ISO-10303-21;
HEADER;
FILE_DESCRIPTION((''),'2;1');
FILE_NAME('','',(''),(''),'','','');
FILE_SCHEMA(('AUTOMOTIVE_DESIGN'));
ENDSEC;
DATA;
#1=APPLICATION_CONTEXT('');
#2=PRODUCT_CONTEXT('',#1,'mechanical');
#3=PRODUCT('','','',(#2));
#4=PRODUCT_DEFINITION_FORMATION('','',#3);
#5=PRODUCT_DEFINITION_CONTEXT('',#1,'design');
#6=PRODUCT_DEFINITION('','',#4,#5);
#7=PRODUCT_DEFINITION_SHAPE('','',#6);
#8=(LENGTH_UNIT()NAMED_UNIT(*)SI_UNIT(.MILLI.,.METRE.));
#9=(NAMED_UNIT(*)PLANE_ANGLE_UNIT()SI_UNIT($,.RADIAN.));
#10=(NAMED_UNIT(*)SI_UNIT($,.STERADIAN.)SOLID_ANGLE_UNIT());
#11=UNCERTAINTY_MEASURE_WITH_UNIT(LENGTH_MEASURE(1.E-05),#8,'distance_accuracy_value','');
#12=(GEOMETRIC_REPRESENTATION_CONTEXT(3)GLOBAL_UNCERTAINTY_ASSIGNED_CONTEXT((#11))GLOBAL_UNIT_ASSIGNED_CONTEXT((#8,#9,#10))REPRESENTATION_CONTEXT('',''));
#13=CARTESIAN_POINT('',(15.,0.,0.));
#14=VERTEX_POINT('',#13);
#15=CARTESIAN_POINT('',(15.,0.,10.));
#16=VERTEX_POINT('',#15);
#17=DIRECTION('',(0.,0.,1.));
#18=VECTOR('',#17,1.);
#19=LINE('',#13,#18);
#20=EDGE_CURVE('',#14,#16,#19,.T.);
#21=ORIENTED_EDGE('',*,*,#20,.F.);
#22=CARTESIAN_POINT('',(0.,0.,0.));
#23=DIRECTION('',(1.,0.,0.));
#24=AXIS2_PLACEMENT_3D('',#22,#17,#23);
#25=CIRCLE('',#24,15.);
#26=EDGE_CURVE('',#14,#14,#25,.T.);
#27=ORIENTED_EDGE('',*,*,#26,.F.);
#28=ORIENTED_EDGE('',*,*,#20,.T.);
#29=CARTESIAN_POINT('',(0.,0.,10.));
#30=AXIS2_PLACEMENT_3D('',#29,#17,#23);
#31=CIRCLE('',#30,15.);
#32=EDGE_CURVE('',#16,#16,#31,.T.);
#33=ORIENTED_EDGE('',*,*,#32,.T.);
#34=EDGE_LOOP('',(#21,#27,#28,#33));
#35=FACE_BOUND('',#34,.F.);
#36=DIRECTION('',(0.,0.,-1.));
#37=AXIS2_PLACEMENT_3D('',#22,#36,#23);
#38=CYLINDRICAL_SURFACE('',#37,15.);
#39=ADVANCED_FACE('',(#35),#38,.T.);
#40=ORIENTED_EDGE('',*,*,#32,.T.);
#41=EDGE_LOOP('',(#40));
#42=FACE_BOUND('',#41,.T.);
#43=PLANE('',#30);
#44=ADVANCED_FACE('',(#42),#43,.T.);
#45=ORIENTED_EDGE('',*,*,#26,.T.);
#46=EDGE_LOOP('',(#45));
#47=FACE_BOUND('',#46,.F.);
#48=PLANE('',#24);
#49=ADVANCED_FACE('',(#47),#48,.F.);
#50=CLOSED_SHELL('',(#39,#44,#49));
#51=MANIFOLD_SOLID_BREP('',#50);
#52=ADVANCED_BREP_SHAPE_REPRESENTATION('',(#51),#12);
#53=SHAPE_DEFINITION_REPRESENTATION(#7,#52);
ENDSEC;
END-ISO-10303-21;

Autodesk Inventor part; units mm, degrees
ref_plane "YZ Plane" through (0, 0, 0) normal (1, 0, 0) x (0, 1, 0)
ref_plane "XZ Plane" through (0, 0, 0) normal (0, 1, 0) x (-1, 0, 0)
ref_plane "XY Plane" through (0, 0, 0) normal (0, 0, 1) x (1, 0, 0)
sketch "Sketch1" plane through (0, 0, 0) normal (0, 0, 1) x (1, 0, 0)
  circle A0 centre (0, 0) radius 44.45
  circle A1 centre (0, 0) radius 41.45
  circle A2 centre (0, 0) radius 600
  circle A3 centre (144.9387, 540.9185) radius 100
  circle A4 centre (-144.9387, 540.9185) radius 100
  circle A5 centre (-395.9798, 395.9798) radius 100
  circle A6 centre (-540.9185, 144.9387) radius 100
  circle A7 centre (-540.9185, -144.9387) radius 100
  circle A8 centre (-395.9798, -395.9798) radius 100
  circle A9 centre (-144.9387, -540.9185) radius 100
  circle A10 centre (144.9387, -540.9185) radius 100
  circle A11 centre (395.9798, -395.9798) radius 100
  circle A12 centre (540.9185, -144.9387) radius 100
  circle A13 centre (230, 398.3717) radius 100
  circle A14 centre (0, 460) radius 100
  circle A15 centre (-230, 398.3717) radius 100
  circle A16 centre (-398.3717, 230) radius 100
  circle A17 centre (-460, 0) radius 100
  circle A18 centre (-398.3717, -230) radius 100
  circle A19 centre (-230, -398.3717) radius 100
  circle A20 centre (0, -460) radius 100
  circle A21 centre (230, -398.3717) radius 100
  circle A22 centre (398.3717, -230) radius 100
  circle A23 centre (-212.132, 212.132) radius 100
  circle A24 centre (-289.7777, 77.6457) radius 100
  circle A25 centre (-289.7777, -77.6457) radius 100
  circle A26 centre (-212.132, -212.132) radius 100
  circle A27 centre (-77.6457, -289.7777) radius 100
  circle A28 centre (77.6457, -289.7777) radius 100
  circle A29 centre (212.132, -212.132) radius 100
  circle A30 centre (289.7777, -77.6457) radius 100
  circle A31 centre (98.9949, 98.9949) radius 100
  circle A32 centre (289.7777, 77.6457) radius 100
  circle A33 centre (212.132, 212.132) radius 100
  circle A34 centre (-98.9949, 98.9949) radius 100
  circle A35 centre (-98.9949, -98.9949) radius 100
  circle A36 centre (98.9949, -98.9949) radius 100
  circle A37 centre (460, 0) radius 100
  circle A38 centre (398.3717, 230) radius 100
  circle A39 centre (77.6457, 289.7777) radius 100
  circle A40 centre (-77.6457, 289.7777) radius 100
  circle A41 centre (540.9185, 144.9387) radius 100
  circle A42 centre (395.9798, 395.9798) radius 100
  line L0 (0, 0) -> (-600, 0) construction
  line L1 (0, 0) -> (-540.9185, 144.9387) construction
  line L2 (-460, 0) -> (0, 0) construction
  line L3 (0, 0) -> (-289.7777, -77.6457) construction
  line L4 (-98.9949, -98.9949) -> (0, 0) construction
  dimension "d2" = 1200
  dimension "d0" = 88.9
  dimension "d1" = 3
  dimension "d5" = 360
  dimension "d9" = 360
  dimension "d11" = 200
  dimension "d14" = 360
  dimension "d18" = 360
  dimension "d20" = 15
  dimension "d21" = 0
  dimension "d22" = 15
  dimension "d23" = 45
  dimension "d24" = 140
  dimension "d25" = 300
  dimension "d26" = 460
  dimension "d27" = 560
sketch "Sketch2" plane through (0, 0, 0) normal (0, 0, 1) x (1, 0, 0)
  point P0 (0, 0)
  point P1 (-98.9949, -98.9949)
  point P2 (98.9949, -98.9949)
  point P3 (98.9949, 98.9949)
  point P4 (-98.9949, 98.9949)
  point P5 (-77.6457, 289.7777)
  point P6 (77.6457, 289.7777)
  point P7 (212.132, 212.132)
  point P8 (289.7777, 77.6457)
  point P9 (289.7777, -77.6457)
  point P10 (212.132, -212.132)
  point P11 (77.6457, -289.7777)
  point P12 (-77.6457, -289.7777)
  point P13 (0, -460)
  point P14 (230, -398.3717)
  point P15 (144.9387, -540.9185)
  point P16 (395.9798, -395.9798)
  point P17 (398.3717, -230)
  point P18 (540.9185, -144.9387)
  point P19 (460, 0)
  point P20 (540.9185, 144.9387)
  point P21 (398.3717, 230)
  point P22 (395.9798, 395.9798)
  point P23 (230, 398.3717)
  point P24 (144.9387, 540.9185)
  point P25 (0, 460)
  point P26 (-144.9387, 540.9185)
  point P27 (-230, 398.3717)
  point P28 (-212.132, 212.132)
  point P29 (-289.7777, 77.6457)
  point P30 (-289.7777, -77.6457)
  point P31 (-212.132, -212.132)
  point P32 (-398.3717, 230)
  point P33 (-395.9798, 395.9798)
  point P34 (-540.9185, 144.9387)
  point P35 (-460, 0)
  point P36 (-540.9185, -144.9387)
  point P37 (-398.3717, -230)
  point P38 (-395.9798, -395.9798)
  point P39 (-230, -398.3717)
  point P40 (-144.9387, -540.9185)
sketch "Sketch3" plane through (0, 0, 0) normal (0, 0, 1) x (1, 0, 0)
  circle A0 centre (0, 0) radius 15
  dimension "d28" = 30
extrude "Extrusion1" add sketch "Sketch3" along normal blind 10
sketch "Sketch4" plane through (0, 0, 0) normal (1, 0, 0) x (0, 1, 0)
  line L0 (606, 2056.7108) -> (600, 2056.7108)
  line L1 (600, 2056.7108) -> (600, 253.2892)
  line L2 (600, 253.2892) -> (606, 253.2892)
  line L3 (606, 253.2892) -> (606, 2056.7108)
  line L4 (0, 253.2892) -> (0, 1462.6576)
  line L5 (606, 253.2892) -> (606, 223.2892)
  arc A0 (552, 134.4973) -> (606, 223.2892) centre (506, 223.2892) ccw
  arc A1 (0, 0) -> (552, 134.4973) centre (0, 1200) ccw
  line L6 (0, 898.5253) -> (0, -391.9469)
  arc A2 (0, 6) -> (549.24, 139.8248) centre (0, 1200) ccw
  arc A3 (549.24, 139.8248) -> (600, 223.2892) centre (506, 223.2892) ccw
  line L7 (600, 223.2892) -> (600, 253.2892)
  line L8 (600, 253.2892) -> (606, 253.2892)
  line L9 (0, 6) -> (0, 0)
  line L10 (600, 2056.7108) -> (600, 2086.7108)
  arc A4 (600, 2086.7108) -> (549.24, 2170.1752) centre (506, 2086.7108) ccw
  arc A5 (549.24, 2170.1752) -> (0, 2304) centre (0, 1110) ccw
  line L11 (0, 2304) -> (0, 2310)
  arc A6 (552, 2175.5027) -> (0, 2310) centre (0, 1110) ccw
  arc A7 (606, 2086.7108) -> (552, 2175.5027) centre (506, 2086.7108) ccw
  line L12 (606, 2086.7108) -> (606, 2056.7108)
  line L13 (0, 2304) -> (0, 6)
  point P0 (0, 0)
  point P1 (600, 253.2892)
  point P2 (603, 253.2892)
  point P3 (0, 253.2892)
  point P4 (0, 253.2892)
  point P5 (0, 3)
  point P6 (0, 0)
  dimension "d31" = 6
  dimension "d32" = 1803.4216
  dimension "d33" = 1200
  dimension "d37" = 100
  dimension "d38" = 30
  dimension "d39" = 1200
  dimension "d40" = 6
  dimension "d41" = 1200
  dimension "d42" = 253.2892
revolve "Revolution1" [suppressed]
equation "\"d32\" = d35 - 2 * d36"
equation "\"d33\" = d34"
equation "\"d39\" = d41"
equation "\"MAIN_filter_diam\" = 1400"
equation "\"MAIN_hight\" = 2310"
equation "\"Accsess_hatch_lenght\" = 120"
equation "\"Accsess_hatch_diameter\" = 530"
equation "\"Charging_hatch_width\" = 400"
equation "\"Charging_hatch_hight\" = 180"
equation "\"Charging_hatch_lenght\" = 120"
equation "\"d35\" = 2310"
equation "\"d36\" = 253.289193"
equation "\"d34\" = 1200"
properties part number "ANP 1101 DIM Filter column D1400"
